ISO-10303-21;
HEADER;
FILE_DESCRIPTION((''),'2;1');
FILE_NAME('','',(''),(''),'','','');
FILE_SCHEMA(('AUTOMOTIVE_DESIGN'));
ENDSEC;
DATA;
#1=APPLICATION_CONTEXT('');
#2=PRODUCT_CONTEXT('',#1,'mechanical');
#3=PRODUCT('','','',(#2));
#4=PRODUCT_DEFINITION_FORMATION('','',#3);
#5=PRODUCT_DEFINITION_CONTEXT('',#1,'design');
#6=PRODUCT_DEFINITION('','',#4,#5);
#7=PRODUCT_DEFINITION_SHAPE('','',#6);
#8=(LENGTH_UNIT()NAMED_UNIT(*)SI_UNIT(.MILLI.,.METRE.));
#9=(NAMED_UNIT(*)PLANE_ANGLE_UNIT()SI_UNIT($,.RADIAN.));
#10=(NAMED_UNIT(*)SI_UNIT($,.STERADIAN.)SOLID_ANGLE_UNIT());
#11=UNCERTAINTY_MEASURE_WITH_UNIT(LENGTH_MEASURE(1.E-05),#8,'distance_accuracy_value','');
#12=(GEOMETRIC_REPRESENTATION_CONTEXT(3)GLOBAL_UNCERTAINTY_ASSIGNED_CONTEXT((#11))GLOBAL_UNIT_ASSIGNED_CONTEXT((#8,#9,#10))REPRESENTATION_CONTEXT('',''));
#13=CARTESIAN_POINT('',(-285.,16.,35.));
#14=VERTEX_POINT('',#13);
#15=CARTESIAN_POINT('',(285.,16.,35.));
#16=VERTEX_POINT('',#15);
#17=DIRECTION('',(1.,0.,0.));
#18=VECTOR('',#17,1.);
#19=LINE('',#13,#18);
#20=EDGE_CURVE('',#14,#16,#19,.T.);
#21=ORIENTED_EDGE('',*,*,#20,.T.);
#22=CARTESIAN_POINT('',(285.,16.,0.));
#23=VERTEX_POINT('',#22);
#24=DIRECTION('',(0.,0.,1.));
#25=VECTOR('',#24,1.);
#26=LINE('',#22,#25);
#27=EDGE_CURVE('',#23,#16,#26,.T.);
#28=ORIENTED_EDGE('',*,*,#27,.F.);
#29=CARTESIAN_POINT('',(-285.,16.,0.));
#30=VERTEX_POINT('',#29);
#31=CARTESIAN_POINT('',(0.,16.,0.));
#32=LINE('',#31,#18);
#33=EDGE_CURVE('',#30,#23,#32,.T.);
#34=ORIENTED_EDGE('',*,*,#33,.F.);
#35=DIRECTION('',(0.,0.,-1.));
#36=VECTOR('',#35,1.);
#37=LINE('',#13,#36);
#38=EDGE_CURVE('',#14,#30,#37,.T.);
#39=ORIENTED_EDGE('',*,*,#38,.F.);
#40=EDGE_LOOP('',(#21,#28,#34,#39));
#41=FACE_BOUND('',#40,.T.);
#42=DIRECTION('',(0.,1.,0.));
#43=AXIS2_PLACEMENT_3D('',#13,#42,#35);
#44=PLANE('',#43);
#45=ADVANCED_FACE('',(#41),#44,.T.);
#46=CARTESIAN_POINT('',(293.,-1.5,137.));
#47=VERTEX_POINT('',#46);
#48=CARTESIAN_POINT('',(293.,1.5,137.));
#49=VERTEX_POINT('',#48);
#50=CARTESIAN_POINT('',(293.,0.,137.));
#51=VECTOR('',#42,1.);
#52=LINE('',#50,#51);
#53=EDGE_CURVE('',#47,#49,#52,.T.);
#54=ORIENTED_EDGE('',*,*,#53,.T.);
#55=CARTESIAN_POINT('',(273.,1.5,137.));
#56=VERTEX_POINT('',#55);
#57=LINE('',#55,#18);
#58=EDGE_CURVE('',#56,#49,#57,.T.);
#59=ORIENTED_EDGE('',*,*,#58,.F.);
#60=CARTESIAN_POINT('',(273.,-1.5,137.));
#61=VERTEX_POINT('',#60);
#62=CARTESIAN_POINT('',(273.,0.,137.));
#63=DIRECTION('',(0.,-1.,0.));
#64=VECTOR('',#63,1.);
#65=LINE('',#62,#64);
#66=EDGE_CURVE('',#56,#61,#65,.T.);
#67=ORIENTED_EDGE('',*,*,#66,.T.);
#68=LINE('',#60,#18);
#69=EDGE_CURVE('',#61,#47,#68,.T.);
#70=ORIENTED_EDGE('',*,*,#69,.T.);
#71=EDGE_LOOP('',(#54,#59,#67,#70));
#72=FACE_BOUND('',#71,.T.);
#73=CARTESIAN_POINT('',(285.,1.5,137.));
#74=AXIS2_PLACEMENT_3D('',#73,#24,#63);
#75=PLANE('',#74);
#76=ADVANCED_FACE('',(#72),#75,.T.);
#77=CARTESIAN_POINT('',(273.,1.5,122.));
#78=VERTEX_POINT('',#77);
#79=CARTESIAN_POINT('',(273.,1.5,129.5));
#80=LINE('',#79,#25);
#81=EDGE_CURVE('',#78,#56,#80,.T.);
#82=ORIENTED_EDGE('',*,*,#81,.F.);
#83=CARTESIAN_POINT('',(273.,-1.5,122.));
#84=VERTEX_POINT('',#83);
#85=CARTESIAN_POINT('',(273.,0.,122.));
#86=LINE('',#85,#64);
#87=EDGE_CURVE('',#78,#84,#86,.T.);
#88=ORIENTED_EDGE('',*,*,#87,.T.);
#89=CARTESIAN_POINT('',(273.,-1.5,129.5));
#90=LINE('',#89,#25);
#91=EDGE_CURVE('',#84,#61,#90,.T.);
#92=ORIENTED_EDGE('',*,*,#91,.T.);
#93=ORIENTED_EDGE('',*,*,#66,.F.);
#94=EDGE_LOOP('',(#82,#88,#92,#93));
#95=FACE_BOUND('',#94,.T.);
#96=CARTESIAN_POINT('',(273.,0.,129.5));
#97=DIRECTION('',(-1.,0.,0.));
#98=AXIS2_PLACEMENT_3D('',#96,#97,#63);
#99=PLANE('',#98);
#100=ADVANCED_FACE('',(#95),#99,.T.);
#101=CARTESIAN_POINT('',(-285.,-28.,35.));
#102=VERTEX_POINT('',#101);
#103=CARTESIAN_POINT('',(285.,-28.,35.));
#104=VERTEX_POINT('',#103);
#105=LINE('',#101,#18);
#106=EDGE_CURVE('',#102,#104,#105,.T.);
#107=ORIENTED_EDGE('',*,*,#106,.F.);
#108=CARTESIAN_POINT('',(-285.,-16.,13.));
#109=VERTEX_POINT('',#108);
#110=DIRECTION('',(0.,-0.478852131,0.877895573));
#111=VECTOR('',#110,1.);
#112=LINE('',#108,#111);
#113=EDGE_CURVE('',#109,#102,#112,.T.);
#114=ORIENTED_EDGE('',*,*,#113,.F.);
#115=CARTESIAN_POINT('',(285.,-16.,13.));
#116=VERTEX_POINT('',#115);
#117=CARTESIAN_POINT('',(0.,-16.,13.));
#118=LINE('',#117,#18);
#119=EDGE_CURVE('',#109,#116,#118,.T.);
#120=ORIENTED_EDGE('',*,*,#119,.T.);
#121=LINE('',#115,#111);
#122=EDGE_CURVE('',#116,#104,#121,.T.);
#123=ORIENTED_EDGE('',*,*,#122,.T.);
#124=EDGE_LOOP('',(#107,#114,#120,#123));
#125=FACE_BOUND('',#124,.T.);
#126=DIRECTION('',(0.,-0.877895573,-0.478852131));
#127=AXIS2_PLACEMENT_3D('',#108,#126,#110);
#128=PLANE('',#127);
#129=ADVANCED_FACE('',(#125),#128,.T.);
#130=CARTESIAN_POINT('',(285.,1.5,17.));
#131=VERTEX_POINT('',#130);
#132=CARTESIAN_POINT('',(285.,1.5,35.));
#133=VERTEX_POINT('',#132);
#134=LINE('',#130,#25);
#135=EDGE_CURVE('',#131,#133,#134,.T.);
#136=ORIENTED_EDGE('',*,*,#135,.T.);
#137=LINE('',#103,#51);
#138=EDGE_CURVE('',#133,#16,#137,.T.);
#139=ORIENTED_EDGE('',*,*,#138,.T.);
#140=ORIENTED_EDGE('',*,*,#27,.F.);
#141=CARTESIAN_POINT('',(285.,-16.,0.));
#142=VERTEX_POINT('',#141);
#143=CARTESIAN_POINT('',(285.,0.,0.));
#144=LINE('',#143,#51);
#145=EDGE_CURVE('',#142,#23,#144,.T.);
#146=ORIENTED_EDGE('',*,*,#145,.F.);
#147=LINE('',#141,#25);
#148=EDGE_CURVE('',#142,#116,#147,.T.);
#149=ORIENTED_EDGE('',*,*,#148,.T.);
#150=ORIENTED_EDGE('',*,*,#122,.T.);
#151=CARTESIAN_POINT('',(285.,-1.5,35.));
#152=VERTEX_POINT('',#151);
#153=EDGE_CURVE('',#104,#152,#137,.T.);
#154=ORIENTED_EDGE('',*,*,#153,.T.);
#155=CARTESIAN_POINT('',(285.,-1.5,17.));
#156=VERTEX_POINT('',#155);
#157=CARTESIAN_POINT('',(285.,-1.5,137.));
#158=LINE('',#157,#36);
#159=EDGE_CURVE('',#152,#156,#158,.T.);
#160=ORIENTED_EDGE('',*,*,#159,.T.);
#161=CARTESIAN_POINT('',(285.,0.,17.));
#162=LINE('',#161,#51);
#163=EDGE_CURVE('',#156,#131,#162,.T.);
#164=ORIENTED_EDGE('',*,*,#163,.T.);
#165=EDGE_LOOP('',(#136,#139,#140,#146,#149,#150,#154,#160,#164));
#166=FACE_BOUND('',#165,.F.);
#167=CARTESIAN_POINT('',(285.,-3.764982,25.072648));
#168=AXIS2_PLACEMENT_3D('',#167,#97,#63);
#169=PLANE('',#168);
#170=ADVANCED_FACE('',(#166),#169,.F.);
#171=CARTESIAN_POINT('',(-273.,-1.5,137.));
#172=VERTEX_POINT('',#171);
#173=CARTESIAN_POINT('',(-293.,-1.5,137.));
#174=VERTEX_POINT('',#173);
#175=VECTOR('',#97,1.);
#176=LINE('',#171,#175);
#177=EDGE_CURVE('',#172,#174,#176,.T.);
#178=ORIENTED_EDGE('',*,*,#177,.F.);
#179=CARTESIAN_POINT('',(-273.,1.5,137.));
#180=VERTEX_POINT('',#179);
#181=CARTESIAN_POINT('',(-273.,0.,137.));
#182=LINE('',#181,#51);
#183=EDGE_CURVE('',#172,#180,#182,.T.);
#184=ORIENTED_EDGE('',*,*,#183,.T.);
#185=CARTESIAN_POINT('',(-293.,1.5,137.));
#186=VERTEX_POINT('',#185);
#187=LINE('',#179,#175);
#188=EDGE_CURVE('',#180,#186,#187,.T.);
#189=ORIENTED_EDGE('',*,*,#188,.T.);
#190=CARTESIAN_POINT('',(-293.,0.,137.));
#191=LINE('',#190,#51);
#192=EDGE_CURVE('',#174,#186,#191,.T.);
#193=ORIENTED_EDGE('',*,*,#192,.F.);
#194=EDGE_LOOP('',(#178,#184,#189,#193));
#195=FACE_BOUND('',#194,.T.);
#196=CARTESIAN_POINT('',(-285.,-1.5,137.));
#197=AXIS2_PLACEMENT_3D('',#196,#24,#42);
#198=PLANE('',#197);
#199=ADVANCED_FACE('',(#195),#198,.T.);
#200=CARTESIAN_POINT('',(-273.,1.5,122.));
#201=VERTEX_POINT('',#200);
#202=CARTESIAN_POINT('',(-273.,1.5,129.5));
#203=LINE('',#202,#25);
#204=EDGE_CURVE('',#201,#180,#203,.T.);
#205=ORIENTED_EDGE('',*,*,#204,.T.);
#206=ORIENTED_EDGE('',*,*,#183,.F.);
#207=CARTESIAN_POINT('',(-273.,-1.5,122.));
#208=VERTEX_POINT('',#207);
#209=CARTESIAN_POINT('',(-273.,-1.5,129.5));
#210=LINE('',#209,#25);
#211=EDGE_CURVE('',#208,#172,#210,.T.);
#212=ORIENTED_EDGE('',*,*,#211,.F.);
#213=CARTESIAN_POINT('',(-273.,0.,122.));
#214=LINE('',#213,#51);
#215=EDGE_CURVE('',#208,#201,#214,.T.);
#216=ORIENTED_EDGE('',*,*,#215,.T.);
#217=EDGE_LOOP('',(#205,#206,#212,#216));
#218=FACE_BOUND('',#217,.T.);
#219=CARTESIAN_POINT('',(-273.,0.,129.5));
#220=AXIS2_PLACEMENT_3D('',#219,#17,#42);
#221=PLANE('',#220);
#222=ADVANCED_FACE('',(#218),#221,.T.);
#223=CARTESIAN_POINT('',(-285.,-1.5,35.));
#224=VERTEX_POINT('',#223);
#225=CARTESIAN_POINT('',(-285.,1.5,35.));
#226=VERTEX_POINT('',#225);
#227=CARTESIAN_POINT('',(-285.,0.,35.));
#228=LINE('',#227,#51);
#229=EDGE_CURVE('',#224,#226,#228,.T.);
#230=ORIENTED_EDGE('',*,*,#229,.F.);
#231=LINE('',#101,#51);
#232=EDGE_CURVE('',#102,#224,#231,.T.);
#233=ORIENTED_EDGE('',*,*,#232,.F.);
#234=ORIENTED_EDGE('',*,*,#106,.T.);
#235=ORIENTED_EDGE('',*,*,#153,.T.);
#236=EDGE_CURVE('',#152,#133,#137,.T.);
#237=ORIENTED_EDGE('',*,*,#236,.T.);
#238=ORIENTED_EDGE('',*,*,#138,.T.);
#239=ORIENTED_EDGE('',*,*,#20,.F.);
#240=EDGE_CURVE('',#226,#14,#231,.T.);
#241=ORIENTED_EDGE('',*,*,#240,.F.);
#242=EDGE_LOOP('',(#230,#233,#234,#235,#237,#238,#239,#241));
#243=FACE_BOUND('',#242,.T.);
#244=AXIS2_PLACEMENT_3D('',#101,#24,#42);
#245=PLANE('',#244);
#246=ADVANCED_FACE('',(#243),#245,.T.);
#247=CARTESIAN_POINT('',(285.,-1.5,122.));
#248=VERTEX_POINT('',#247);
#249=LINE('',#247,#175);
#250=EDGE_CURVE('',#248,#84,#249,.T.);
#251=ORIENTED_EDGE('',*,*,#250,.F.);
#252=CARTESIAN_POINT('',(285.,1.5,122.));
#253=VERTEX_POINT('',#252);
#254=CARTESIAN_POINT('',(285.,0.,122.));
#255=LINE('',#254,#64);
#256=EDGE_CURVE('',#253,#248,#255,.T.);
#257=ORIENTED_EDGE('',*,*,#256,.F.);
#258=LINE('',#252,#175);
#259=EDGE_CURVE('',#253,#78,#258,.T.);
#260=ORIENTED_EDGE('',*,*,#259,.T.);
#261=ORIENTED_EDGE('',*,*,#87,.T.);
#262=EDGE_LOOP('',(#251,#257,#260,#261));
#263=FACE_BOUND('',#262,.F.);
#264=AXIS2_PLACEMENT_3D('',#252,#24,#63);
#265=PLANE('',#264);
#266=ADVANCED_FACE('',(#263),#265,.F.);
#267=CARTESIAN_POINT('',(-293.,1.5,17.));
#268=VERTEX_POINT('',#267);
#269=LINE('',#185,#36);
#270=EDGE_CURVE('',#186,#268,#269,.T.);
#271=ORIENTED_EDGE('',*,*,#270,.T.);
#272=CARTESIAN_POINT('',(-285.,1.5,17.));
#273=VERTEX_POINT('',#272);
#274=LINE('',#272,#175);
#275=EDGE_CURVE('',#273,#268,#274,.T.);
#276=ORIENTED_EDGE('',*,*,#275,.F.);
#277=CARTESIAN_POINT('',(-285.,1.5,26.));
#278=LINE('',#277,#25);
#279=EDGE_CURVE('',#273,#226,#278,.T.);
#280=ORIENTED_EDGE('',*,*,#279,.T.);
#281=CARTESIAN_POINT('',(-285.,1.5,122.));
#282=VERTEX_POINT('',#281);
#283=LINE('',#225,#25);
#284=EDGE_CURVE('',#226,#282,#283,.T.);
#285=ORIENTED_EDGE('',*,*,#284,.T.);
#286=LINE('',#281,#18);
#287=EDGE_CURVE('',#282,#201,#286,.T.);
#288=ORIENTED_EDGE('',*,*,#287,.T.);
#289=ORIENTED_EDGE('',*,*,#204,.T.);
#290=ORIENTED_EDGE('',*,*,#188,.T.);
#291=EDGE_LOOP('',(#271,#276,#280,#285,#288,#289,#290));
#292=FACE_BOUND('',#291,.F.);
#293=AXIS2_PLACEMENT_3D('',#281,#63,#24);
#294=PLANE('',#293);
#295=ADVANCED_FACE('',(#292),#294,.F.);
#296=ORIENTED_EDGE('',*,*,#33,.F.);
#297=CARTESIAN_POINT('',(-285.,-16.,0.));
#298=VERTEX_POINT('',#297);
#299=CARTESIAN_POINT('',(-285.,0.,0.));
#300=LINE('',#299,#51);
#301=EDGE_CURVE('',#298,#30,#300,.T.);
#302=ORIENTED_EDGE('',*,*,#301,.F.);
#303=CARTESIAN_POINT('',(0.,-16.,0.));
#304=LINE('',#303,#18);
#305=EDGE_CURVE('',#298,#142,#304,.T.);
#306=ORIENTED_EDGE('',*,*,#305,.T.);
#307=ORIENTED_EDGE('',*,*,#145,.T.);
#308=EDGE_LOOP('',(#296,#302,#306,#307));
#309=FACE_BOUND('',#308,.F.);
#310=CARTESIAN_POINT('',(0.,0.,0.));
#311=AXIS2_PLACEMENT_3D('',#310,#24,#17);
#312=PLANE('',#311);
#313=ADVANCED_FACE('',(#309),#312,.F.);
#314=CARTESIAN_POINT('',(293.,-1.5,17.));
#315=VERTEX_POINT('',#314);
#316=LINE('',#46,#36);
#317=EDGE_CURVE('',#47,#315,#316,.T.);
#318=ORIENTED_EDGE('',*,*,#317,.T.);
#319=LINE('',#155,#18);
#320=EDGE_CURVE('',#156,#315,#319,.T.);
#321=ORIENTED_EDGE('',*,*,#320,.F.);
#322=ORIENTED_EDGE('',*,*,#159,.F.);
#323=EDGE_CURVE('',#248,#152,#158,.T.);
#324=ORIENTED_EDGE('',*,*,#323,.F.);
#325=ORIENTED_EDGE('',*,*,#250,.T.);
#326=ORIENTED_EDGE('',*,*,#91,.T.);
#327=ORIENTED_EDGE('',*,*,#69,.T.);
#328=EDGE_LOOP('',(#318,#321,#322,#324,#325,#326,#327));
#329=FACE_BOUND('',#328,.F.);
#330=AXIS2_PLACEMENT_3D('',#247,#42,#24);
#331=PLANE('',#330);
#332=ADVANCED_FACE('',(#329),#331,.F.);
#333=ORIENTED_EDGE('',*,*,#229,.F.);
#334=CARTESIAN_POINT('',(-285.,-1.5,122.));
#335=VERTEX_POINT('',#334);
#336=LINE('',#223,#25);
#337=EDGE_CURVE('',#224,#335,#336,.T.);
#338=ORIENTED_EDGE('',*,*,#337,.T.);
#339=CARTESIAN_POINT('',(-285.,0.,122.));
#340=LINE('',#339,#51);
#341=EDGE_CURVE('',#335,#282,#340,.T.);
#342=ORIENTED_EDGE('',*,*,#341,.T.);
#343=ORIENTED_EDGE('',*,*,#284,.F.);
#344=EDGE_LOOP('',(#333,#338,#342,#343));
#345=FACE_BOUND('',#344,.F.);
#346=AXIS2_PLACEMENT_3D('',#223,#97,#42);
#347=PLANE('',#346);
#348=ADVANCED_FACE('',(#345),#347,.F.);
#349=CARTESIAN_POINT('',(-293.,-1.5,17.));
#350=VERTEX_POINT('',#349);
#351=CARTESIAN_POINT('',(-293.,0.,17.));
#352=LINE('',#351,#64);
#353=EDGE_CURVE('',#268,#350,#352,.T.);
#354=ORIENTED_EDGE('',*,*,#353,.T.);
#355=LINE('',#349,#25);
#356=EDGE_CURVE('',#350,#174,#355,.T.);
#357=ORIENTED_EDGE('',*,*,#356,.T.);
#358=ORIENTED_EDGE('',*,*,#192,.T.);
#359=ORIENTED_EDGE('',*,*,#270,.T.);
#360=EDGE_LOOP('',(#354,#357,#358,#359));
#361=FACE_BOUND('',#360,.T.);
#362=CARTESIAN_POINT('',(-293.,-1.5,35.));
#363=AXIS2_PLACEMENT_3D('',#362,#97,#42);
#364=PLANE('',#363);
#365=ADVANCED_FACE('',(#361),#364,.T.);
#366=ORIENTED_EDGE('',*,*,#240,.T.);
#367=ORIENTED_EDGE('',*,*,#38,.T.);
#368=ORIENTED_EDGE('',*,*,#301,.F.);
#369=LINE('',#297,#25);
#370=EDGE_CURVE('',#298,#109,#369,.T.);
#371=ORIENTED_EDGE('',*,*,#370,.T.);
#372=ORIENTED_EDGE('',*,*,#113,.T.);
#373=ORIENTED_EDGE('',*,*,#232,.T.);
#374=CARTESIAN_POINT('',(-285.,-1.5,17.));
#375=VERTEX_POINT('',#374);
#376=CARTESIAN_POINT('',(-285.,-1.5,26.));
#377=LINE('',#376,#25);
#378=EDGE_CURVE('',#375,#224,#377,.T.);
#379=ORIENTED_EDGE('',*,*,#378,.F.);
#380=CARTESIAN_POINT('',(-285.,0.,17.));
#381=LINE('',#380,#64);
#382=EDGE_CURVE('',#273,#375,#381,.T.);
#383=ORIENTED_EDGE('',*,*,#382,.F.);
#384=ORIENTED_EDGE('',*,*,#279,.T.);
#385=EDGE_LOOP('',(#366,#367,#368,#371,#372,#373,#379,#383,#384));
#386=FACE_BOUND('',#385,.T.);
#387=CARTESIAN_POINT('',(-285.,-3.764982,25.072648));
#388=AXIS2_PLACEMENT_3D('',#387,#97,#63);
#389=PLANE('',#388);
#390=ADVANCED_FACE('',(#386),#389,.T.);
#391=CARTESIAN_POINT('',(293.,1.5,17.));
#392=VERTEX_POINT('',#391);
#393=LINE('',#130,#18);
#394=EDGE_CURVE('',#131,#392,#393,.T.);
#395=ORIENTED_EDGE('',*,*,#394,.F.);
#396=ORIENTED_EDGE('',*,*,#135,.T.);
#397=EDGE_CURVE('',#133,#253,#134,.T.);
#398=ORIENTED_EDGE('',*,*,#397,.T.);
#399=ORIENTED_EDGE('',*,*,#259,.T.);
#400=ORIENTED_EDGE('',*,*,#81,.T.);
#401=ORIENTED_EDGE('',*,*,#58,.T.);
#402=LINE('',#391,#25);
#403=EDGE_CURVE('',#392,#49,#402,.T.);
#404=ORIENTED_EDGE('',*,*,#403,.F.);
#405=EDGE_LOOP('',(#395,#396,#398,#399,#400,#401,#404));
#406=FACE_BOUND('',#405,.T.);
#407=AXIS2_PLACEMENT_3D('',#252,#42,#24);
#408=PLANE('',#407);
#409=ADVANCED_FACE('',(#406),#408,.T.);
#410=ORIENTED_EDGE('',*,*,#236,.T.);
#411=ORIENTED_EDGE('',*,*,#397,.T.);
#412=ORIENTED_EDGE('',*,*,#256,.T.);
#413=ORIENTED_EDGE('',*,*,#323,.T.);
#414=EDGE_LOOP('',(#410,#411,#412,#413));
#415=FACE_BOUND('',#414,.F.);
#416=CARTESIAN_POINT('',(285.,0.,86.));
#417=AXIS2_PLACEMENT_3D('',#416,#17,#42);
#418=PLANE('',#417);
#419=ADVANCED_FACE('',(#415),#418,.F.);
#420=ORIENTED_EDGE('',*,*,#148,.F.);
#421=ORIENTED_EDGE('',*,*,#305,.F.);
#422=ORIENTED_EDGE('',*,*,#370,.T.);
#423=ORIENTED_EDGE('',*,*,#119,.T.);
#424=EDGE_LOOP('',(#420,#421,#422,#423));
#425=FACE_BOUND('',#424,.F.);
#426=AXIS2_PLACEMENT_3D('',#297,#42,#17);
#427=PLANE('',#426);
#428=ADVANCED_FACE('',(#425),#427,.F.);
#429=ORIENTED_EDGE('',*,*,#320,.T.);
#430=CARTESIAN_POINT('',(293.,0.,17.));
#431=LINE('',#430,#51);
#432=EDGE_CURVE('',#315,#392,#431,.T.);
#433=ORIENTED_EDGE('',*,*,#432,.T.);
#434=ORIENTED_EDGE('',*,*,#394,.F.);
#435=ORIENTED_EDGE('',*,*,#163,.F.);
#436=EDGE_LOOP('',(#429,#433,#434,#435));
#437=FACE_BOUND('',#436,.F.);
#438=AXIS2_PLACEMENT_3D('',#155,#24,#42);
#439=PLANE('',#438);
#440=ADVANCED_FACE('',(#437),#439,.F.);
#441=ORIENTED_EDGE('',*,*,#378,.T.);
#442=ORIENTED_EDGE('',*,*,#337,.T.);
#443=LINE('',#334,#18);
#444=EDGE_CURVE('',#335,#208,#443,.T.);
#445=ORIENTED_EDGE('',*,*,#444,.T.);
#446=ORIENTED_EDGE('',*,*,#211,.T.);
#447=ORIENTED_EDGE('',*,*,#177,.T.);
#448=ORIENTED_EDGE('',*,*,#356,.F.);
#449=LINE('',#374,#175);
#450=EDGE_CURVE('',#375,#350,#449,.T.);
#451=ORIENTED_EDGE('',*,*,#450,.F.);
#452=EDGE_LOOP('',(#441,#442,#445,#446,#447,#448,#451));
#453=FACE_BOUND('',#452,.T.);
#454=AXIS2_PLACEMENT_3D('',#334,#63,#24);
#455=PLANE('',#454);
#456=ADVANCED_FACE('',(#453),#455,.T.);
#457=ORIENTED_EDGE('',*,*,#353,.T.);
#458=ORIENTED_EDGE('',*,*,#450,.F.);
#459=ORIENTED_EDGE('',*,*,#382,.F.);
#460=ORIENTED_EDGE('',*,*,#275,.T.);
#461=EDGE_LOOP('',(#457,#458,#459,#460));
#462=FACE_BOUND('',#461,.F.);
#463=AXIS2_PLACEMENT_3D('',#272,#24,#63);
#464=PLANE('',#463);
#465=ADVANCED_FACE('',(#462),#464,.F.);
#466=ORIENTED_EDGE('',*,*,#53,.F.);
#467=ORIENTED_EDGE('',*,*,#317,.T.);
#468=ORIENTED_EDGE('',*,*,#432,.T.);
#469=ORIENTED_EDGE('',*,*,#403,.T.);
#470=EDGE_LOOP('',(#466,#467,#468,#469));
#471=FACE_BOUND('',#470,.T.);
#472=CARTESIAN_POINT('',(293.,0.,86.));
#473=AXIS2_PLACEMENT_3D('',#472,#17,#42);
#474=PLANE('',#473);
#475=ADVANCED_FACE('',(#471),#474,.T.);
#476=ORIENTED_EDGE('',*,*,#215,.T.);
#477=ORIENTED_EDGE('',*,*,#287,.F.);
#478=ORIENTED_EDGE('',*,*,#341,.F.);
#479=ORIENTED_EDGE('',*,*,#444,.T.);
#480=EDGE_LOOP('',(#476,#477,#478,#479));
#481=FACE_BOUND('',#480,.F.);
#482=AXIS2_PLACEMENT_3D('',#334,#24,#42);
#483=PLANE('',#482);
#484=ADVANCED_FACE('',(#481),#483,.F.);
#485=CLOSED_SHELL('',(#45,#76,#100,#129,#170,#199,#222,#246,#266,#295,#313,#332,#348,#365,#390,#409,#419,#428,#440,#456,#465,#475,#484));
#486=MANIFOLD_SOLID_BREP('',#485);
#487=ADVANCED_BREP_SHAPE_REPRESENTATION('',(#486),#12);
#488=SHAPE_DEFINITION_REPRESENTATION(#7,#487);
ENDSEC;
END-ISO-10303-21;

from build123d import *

# Parameters (mm, degrees)
F0_W      = 570
F0_H      = 32
F1_DEPTH  = 13
F3_DEPTH  = 570
F4_W      = 3
F4_H      = 18
F5_DEPTH  = 8
F6_W      = 8
F6_H      = 3
F7_DEPTH  = 102
F8_W      = 3
F8_H      = 15
F9_DEPTH  = 12
F10_W     = 3
F10_H     = 102
F10_H_2   = 18
F11_DEPTH = 8
F12_W     = 3
F12_H     = 15
F13_DEPTH = 12


with BuildPart() as f1:
    # F0 (on Top) → F1 (new body)
    with BuildSketch(Plane.XY):
        Rectangle(F0_W, F0_H)
    extrude(amount=F1_DEPTH)

    # F2 (on face) → F3 (join)
    with BuildSketch(Plane(origin=(-285, 0, 0), x_dir=(0, -1, 0), z_dir=(-1, 0, 0))):
        Polygon((-16, 13), (16, 13), (28, 35), (-16, 35), align=None)
    extrude(amount=-F3_DEPTH)

    # F4 (on face) → F5 (join)
    with BuildSketch(Plane(origin=(-285, 0, 0), x_dir=(0, -1, 0), z_dir=(-1, 0, 0))):
        with Locations((0, 26)):
            Rectangle(F4_W, F4_H)
    extrude(amount=F5_DEPTH)

    # F6 (on face) → F7 (join)
    with BuildSketch(Plane.XY.offset(35)):
        with Locations((-289, 0)):
            Rectangle(F6_W, F6_H)
    extrude(amount=F7_DEPTH)

    # F8 (on face) → F9 (join)
    with BuildSketch(Plane.YZ.offset(-285)):
        with Locations((0, 129.5)):
            Rectangle(F8_W, F8_H)
    extrude(amount=F9_DEPTH)

    # F10 (on face) → F11 (join)
    with BuildSketch(Plane.YZ.offset(285)):
        with Locations((0, 86)):
            Rectangle(F10_W, F10_H)
        with Locations((0, 26)):
            Rectangle(F10_W, F10_H_2)
    extrude(amount=F11_DEPTH)

    # F12 (on face) → F13 (join)
    with BuildSketch(Plane(origin=(285, 0, 0), x_dir=(0, -1, 0), z_dir=(-1, 0, 0))):
        with Locations((0, 129.5)):
            Rectangle(F12_W, F12_H)
    extrude(amount=F13_DEPTH)


solid = f1.part
